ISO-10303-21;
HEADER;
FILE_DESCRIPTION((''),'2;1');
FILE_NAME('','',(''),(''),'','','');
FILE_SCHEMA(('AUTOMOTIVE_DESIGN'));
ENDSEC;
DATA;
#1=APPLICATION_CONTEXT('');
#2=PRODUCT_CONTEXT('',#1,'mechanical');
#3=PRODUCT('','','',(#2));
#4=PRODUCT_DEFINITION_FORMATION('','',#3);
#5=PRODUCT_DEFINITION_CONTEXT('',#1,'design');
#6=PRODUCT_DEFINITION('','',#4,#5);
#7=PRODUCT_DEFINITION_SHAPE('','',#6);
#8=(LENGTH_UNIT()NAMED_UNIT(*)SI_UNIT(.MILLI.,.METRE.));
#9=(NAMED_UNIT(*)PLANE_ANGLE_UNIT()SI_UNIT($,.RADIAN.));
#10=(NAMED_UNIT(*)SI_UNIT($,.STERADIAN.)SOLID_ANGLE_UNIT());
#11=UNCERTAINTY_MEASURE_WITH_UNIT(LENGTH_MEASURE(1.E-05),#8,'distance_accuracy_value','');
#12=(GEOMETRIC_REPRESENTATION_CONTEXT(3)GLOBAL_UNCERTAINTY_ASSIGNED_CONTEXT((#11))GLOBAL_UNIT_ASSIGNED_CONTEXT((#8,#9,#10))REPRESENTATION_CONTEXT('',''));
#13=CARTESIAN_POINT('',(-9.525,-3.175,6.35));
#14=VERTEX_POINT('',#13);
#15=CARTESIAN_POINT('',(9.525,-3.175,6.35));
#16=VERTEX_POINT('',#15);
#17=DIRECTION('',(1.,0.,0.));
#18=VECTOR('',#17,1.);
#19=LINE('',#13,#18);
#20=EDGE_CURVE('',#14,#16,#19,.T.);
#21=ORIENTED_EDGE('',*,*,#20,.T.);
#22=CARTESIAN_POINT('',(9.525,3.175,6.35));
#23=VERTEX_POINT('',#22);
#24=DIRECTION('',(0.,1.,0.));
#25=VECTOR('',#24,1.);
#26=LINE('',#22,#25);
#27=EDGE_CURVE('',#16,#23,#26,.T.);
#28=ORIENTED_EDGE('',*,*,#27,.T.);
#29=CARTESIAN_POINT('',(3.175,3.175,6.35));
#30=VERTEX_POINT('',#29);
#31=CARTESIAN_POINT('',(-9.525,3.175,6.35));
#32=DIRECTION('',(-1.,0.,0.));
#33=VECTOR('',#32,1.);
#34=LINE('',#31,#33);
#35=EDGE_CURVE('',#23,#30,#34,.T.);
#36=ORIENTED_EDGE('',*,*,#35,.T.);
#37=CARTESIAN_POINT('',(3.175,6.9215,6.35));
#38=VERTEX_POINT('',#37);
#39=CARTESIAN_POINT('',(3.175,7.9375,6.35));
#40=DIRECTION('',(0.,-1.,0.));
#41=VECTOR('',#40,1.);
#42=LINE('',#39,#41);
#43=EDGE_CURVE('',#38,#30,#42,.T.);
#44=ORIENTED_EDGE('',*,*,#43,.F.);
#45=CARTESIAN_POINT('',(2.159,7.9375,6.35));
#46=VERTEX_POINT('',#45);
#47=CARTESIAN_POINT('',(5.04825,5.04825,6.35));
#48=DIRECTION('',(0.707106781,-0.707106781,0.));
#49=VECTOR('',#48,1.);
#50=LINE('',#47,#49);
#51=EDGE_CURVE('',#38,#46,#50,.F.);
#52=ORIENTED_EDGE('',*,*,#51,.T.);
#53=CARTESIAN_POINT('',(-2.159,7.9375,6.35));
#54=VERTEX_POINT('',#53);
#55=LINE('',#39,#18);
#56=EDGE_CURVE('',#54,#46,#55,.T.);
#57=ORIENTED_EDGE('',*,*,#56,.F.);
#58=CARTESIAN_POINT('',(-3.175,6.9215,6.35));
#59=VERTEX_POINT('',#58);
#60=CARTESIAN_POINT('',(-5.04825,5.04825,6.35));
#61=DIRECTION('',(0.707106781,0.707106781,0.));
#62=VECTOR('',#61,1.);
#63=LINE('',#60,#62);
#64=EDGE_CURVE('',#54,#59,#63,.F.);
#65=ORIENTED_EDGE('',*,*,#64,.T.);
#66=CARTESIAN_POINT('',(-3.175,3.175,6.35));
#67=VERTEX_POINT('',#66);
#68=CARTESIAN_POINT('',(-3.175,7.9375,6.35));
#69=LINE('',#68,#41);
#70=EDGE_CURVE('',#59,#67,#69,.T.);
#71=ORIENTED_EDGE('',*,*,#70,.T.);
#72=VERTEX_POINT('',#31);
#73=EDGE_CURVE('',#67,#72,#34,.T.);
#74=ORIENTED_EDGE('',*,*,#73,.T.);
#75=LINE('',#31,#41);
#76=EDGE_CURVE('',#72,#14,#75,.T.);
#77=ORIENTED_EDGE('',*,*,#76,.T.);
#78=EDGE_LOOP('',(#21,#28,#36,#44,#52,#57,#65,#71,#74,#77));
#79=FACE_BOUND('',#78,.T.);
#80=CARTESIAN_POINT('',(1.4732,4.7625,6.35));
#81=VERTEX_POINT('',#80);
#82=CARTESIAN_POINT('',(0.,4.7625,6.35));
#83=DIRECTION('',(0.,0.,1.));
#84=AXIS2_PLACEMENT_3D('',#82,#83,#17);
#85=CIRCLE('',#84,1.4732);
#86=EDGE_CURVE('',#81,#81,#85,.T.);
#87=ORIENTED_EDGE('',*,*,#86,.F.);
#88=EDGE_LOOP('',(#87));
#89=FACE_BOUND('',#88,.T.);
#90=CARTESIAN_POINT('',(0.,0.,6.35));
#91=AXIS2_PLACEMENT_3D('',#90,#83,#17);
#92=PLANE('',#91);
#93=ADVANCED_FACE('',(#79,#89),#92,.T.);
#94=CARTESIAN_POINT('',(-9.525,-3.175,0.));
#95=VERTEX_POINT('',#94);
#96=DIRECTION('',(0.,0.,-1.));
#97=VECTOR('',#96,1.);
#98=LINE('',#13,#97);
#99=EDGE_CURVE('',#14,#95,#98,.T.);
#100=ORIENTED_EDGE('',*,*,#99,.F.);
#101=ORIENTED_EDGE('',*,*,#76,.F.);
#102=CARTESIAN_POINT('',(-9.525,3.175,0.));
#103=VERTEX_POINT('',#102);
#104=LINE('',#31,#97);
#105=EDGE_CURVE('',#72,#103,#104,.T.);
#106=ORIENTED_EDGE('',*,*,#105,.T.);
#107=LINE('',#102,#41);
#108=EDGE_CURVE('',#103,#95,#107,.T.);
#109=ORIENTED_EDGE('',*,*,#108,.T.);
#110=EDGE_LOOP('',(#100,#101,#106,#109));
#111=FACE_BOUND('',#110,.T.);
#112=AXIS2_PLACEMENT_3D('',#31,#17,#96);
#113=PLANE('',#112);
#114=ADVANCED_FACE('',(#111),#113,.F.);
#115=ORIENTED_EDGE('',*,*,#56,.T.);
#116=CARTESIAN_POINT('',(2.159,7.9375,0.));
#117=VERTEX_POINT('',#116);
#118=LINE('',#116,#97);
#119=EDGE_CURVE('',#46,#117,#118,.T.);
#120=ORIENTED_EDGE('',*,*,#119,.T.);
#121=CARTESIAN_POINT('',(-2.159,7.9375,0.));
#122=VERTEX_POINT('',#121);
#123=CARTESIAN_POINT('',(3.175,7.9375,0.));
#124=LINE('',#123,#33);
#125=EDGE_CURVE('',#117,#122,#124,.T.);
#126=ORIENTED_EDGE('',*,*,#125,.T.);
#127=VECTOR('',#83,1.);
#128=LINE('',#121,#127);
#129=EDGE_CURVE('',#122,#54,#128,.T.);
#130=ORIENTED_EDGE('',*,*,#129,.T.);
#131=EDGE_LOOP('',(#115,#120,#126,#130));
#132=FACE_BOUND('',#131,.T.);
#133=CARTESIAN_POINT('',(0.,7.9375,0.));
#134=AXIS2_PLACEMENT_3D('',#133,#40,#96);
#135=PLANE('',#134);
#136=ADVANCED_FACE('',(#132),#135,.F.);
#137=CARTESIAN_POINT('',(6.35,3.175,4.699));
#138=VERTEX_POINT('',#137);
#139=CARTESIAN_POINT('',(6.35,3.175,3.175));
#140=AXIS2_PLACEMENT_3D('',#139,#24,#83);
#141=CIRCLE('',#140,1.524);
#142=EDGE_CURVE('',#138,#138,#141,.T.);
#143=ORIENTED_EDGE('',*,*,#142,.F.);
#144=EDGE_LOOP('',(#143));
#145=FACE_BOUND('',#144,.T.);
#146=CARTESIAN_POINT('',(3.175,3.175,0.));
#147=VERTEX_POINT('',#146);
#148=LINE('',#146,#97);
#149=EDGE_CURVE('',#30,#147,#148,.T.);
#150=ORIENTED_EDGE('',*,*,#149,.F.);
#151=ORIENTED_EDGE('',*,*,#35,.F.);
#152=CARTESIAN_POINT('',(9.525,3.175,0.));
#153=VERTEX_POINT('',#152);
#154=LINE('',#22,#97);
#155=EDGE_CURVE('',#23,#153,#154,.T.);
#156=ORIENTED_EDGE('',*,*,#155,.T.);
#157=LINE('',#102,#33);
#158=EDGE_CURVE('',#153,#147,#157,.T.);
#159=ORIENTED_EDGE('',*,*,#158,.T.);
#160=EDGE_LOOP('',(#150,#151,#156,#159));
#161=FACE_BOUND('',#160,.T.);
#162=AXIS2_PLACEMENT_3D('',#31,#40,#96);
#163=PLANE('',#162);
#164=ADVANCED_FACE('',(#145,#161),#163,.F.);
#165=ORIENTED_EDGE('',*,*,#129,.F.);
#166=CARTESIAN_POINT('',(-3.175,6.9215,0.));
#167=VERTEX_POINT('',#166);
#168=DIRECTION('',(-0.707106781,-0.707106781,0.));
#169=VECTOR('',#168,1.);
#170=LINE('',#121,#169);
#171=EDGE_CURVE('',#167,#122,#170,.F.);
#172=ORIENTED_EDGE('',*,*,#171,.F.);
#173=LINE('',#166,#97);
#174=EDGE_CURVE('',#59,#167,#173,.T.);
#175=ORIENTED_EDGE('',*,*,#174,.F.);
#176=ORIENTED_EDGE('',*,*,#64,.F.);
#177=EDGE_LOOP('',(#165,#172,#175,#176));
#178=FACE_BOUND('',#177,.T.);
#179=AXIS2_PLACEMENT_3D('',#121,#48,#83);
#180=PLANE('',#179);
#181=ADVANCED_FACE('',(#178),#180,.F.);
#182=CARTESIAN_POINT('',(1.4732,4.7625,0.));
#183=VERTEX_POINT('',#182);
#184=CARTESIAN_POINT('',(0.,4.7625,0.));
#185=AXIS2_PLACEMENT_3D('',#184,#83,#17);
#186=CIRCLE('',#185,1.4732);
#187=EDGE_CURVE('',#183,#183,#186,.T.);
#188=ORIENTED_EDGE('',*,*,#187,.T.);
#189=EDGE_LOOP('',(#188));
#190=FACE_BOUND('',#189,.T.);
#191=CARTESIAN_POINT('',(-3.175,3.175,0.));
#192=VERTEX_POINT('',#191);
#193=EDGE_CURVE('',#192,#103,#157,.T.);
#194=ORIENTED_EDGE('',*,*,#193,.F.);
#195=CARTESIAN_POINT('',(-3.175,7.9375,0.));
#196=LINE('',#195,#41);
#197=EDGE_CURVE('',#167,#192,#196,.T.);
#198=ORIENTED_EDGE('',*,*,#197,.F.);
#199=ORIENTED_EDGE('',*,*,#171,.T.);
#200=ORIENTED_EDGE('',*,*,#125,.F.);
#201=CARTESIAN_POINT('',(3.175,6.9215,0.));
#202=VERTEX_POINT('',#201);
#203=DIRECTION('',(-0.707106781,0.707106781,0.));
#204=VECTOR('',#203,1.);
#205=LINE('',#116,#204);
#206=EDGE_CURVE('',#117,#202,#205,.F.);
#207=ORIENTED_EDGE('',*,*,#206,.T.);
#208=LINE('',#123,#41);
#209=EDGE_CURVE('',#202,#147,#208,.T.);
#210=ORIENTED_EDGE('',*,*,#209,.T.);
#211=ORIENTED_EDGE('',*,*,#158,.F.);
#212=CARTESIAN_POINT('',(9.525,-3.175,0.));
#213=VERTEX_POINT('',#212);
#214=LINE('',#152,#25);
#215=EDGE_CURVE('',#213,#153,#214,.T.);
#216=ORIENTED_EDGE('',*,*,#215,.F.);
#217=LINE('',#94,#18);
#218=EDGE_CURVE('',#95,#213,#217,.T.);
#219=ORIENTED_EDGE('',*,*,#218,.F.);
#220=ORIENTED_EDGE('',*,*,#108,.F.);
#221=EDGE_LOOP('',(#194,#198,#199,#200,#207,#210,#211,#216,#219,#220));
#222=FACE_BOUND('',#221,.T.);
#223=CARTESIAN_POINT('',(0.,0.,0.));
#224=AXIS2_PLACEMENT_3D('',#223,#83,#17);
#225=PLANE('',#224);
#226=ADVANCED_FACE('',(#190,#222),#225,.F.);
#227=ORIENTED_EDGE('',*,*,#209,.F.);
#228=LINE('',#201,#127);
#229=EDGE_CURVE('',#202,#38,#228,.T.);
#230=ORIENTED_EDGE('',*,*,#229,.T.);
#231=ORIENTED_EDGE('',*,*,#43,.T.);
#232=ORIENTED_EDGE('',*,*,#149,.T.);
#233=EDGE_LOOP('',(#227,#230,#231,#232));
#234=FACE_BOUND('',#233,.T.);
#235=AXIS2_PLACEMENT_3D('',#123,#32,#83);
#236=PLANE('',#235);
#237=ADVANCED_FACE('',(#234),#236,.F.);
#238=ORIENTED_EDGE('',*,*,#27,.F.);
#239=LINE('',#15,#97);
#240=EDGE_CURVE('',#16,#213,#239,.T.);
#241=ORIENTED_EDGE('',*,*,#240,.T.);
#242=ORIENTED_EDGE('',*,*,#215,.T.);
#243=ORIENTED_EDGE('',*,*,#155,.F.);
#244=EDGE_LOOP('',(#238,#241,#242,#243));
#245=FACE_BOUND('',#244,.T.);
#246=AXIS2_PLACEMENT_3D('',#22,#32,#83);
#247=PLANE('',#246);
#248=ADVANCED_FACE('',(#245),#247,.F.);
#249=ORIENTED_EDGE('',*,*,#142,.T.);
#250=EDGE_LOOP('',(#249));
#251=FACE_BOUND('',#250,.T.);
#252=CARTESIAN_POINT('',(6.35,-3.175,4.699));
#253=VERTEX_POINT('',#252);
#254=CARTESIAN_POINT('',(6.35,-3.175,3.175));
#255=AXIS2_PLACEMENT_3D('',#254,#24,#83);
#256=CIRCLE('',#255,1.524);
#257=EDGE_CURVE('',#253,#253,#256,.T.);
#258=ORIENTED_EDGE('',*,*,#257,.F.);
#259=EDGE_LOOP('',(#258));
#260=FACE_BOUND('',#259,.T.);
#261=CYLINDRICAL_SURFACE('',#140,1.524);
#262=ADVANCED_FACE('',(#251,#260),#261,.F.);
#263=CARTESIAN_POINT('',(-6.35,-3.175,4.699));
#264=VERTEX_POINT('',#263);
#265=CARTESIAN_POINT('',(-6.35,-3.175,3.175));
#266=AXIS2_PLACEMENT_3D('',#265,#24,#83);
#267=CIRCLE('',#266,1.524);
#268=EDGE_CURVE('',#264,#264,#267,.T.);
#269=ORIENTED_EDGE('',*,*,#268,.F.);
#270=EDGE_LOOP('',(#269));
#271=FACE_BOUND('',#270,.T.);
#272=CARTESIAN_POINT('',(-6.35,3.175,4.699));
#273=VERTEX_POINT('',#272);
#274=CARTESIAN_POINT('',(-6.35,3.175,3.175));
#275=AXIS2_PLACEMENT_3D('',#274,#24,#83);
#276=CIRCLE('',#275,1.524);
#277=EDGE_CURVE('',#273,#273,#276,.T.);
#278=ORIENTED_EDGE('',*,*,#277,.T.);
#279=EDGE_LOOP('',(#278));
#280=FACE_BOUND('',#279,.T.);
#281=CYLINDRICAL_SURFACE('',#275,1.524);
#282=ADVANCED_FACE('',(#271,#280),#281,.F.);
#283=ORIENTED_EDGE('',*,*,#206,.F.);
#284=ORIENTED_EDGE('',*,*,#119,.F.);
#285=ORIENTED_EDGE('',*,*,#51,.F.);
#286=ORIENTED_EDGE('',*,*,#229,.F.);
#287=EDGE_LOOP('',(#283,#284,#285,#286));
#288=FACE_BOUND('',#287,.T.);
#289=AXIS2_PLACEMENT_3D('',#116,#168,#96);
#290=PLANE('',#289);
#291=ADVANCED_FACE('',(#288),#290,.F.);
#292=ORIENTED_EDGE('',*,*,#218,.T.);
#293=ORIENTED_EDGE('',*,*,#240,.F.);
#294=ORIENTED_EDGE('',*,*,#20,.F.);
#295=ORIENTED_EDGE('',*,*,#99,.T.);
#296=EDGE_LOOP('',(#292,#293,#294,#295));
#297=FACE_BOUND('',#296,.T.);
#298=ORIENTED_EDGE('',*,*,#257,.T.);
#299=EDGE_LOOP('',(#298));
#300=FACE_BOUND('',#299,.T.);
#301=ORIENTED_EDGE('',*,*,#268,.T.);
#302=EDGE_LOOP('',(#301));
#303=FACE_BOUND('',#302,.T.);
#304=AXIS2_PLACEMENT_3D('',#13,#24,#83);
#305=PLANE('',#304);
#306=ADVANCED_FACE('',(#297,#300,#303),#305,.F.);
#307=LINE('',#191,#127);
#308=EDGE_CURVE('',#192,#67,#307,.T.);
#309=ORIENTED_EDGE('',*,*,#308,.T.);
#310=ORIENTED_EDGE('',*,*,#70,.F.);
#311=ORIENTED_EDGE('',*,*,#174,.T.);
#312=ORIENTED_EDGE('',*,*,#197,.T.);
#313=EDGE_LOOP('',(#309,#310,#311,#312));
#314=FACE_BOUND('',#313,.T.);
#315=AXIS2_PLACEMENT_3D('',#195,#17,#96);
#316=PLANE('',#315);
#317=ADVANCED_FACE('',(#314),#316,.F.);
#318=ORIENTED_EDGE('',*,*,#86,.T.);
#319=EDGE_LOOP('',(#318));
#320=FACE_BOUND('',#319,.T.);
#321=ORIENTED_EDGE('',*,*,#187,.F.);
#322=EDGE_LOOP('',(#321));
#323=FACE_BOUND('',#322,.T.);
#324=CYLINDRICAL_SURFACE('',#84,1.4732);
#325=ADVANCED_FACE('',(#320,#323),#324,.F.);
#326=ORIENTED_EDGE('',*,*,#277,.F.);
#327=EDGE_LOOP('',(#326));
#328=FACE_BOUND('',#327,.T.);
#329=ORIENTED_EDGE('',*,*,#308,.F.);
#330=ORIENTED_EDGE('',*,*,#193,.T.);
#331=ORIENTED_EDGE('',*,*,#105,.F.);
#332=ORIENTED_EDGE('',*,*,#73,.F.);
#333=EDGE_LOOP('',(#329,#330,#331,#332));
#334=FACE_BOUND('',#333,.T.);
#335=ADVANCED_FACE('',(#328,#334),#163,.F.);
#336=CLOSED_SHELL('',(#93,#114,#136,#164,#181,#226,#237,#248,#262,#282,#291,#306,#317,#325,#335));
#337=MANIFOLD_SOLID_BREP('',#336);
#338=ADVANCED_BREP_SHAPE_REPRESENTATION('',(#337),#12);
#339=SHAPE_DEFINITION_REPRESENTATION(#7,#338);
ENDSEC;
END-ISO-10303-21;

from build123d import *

# Parameters (mm, degrees)
SKETCH1_W                        = 19.05
SKETCH1_H                        = 6.35
BOSS_EXTRUDE1_DEPTH              = 6.35
SKETCH6_W                        = 6.35
SKETCH6_H                        = 6.35
BOSS_EXTRUDE2_DEPTH              = 4.7625
TAPPED_HOLE_FOR_4_40_HELICOIL1_D = 3.048
F_4_CLEARANCE_HOLE1_D            = 2.9464
DISTINGUISHINGMARK_SIZE          = 1.016


with BuildPart() as part:
    # Sketch1 → Boss-Extrude1 (new body)
    with BuildSketch(Plane.XY):
        Rectangle(SKETCH1_W, SKETCH1_H)
    extrude(amount=BOSS_EXTRUDE1_DEPTH)

    # Sketch6 → Boss-Extrude2 (add)
    with BuildSketch(Plane(origin=(0, 3.175, 0), x_dir=(1, 0, 0), z_dir=(0, 1, 0))):
        with Locations((0, -3.175)):
            Rectangle(SKETCH6_W, SKETCH6_H)
    extrude(amount=BOSS_EXTRUDE2_DEPTH)

    # Tapped Hole for #4-40 Helicoil1 (through all)
    with Locations(Plane(origin=(0, 3.175, 0), x_dir=(1, 0, 0), z_dir=(0, 1, 0))):
        with Locations((-6.35, -3.175), (6.35, -3.175)):
            Hole(TAPPED_HOLE_FOR_4_40_HELICOIL1_D / 2)

    # #4 Clearance Hole1 (through all)
    with Locations(Plane.XY.offset(6.35)):
        with Locations((0, 4.7625)):
            Hole(F_4_CLEARANCE_HOLE1_D / 2)

    # distinguishingMark
    distinguishingmark_edges = [part.edges().sort_by_distance(p)[0] for p in [
        (3.175, 7.9375, 3.175),
        (-3.175, 7.9375, 3.175),
    ]]
    chamfer(distinguishingmark_edges, length=DISTINGUISHINGMARK_SIZE)


solid = part.part
